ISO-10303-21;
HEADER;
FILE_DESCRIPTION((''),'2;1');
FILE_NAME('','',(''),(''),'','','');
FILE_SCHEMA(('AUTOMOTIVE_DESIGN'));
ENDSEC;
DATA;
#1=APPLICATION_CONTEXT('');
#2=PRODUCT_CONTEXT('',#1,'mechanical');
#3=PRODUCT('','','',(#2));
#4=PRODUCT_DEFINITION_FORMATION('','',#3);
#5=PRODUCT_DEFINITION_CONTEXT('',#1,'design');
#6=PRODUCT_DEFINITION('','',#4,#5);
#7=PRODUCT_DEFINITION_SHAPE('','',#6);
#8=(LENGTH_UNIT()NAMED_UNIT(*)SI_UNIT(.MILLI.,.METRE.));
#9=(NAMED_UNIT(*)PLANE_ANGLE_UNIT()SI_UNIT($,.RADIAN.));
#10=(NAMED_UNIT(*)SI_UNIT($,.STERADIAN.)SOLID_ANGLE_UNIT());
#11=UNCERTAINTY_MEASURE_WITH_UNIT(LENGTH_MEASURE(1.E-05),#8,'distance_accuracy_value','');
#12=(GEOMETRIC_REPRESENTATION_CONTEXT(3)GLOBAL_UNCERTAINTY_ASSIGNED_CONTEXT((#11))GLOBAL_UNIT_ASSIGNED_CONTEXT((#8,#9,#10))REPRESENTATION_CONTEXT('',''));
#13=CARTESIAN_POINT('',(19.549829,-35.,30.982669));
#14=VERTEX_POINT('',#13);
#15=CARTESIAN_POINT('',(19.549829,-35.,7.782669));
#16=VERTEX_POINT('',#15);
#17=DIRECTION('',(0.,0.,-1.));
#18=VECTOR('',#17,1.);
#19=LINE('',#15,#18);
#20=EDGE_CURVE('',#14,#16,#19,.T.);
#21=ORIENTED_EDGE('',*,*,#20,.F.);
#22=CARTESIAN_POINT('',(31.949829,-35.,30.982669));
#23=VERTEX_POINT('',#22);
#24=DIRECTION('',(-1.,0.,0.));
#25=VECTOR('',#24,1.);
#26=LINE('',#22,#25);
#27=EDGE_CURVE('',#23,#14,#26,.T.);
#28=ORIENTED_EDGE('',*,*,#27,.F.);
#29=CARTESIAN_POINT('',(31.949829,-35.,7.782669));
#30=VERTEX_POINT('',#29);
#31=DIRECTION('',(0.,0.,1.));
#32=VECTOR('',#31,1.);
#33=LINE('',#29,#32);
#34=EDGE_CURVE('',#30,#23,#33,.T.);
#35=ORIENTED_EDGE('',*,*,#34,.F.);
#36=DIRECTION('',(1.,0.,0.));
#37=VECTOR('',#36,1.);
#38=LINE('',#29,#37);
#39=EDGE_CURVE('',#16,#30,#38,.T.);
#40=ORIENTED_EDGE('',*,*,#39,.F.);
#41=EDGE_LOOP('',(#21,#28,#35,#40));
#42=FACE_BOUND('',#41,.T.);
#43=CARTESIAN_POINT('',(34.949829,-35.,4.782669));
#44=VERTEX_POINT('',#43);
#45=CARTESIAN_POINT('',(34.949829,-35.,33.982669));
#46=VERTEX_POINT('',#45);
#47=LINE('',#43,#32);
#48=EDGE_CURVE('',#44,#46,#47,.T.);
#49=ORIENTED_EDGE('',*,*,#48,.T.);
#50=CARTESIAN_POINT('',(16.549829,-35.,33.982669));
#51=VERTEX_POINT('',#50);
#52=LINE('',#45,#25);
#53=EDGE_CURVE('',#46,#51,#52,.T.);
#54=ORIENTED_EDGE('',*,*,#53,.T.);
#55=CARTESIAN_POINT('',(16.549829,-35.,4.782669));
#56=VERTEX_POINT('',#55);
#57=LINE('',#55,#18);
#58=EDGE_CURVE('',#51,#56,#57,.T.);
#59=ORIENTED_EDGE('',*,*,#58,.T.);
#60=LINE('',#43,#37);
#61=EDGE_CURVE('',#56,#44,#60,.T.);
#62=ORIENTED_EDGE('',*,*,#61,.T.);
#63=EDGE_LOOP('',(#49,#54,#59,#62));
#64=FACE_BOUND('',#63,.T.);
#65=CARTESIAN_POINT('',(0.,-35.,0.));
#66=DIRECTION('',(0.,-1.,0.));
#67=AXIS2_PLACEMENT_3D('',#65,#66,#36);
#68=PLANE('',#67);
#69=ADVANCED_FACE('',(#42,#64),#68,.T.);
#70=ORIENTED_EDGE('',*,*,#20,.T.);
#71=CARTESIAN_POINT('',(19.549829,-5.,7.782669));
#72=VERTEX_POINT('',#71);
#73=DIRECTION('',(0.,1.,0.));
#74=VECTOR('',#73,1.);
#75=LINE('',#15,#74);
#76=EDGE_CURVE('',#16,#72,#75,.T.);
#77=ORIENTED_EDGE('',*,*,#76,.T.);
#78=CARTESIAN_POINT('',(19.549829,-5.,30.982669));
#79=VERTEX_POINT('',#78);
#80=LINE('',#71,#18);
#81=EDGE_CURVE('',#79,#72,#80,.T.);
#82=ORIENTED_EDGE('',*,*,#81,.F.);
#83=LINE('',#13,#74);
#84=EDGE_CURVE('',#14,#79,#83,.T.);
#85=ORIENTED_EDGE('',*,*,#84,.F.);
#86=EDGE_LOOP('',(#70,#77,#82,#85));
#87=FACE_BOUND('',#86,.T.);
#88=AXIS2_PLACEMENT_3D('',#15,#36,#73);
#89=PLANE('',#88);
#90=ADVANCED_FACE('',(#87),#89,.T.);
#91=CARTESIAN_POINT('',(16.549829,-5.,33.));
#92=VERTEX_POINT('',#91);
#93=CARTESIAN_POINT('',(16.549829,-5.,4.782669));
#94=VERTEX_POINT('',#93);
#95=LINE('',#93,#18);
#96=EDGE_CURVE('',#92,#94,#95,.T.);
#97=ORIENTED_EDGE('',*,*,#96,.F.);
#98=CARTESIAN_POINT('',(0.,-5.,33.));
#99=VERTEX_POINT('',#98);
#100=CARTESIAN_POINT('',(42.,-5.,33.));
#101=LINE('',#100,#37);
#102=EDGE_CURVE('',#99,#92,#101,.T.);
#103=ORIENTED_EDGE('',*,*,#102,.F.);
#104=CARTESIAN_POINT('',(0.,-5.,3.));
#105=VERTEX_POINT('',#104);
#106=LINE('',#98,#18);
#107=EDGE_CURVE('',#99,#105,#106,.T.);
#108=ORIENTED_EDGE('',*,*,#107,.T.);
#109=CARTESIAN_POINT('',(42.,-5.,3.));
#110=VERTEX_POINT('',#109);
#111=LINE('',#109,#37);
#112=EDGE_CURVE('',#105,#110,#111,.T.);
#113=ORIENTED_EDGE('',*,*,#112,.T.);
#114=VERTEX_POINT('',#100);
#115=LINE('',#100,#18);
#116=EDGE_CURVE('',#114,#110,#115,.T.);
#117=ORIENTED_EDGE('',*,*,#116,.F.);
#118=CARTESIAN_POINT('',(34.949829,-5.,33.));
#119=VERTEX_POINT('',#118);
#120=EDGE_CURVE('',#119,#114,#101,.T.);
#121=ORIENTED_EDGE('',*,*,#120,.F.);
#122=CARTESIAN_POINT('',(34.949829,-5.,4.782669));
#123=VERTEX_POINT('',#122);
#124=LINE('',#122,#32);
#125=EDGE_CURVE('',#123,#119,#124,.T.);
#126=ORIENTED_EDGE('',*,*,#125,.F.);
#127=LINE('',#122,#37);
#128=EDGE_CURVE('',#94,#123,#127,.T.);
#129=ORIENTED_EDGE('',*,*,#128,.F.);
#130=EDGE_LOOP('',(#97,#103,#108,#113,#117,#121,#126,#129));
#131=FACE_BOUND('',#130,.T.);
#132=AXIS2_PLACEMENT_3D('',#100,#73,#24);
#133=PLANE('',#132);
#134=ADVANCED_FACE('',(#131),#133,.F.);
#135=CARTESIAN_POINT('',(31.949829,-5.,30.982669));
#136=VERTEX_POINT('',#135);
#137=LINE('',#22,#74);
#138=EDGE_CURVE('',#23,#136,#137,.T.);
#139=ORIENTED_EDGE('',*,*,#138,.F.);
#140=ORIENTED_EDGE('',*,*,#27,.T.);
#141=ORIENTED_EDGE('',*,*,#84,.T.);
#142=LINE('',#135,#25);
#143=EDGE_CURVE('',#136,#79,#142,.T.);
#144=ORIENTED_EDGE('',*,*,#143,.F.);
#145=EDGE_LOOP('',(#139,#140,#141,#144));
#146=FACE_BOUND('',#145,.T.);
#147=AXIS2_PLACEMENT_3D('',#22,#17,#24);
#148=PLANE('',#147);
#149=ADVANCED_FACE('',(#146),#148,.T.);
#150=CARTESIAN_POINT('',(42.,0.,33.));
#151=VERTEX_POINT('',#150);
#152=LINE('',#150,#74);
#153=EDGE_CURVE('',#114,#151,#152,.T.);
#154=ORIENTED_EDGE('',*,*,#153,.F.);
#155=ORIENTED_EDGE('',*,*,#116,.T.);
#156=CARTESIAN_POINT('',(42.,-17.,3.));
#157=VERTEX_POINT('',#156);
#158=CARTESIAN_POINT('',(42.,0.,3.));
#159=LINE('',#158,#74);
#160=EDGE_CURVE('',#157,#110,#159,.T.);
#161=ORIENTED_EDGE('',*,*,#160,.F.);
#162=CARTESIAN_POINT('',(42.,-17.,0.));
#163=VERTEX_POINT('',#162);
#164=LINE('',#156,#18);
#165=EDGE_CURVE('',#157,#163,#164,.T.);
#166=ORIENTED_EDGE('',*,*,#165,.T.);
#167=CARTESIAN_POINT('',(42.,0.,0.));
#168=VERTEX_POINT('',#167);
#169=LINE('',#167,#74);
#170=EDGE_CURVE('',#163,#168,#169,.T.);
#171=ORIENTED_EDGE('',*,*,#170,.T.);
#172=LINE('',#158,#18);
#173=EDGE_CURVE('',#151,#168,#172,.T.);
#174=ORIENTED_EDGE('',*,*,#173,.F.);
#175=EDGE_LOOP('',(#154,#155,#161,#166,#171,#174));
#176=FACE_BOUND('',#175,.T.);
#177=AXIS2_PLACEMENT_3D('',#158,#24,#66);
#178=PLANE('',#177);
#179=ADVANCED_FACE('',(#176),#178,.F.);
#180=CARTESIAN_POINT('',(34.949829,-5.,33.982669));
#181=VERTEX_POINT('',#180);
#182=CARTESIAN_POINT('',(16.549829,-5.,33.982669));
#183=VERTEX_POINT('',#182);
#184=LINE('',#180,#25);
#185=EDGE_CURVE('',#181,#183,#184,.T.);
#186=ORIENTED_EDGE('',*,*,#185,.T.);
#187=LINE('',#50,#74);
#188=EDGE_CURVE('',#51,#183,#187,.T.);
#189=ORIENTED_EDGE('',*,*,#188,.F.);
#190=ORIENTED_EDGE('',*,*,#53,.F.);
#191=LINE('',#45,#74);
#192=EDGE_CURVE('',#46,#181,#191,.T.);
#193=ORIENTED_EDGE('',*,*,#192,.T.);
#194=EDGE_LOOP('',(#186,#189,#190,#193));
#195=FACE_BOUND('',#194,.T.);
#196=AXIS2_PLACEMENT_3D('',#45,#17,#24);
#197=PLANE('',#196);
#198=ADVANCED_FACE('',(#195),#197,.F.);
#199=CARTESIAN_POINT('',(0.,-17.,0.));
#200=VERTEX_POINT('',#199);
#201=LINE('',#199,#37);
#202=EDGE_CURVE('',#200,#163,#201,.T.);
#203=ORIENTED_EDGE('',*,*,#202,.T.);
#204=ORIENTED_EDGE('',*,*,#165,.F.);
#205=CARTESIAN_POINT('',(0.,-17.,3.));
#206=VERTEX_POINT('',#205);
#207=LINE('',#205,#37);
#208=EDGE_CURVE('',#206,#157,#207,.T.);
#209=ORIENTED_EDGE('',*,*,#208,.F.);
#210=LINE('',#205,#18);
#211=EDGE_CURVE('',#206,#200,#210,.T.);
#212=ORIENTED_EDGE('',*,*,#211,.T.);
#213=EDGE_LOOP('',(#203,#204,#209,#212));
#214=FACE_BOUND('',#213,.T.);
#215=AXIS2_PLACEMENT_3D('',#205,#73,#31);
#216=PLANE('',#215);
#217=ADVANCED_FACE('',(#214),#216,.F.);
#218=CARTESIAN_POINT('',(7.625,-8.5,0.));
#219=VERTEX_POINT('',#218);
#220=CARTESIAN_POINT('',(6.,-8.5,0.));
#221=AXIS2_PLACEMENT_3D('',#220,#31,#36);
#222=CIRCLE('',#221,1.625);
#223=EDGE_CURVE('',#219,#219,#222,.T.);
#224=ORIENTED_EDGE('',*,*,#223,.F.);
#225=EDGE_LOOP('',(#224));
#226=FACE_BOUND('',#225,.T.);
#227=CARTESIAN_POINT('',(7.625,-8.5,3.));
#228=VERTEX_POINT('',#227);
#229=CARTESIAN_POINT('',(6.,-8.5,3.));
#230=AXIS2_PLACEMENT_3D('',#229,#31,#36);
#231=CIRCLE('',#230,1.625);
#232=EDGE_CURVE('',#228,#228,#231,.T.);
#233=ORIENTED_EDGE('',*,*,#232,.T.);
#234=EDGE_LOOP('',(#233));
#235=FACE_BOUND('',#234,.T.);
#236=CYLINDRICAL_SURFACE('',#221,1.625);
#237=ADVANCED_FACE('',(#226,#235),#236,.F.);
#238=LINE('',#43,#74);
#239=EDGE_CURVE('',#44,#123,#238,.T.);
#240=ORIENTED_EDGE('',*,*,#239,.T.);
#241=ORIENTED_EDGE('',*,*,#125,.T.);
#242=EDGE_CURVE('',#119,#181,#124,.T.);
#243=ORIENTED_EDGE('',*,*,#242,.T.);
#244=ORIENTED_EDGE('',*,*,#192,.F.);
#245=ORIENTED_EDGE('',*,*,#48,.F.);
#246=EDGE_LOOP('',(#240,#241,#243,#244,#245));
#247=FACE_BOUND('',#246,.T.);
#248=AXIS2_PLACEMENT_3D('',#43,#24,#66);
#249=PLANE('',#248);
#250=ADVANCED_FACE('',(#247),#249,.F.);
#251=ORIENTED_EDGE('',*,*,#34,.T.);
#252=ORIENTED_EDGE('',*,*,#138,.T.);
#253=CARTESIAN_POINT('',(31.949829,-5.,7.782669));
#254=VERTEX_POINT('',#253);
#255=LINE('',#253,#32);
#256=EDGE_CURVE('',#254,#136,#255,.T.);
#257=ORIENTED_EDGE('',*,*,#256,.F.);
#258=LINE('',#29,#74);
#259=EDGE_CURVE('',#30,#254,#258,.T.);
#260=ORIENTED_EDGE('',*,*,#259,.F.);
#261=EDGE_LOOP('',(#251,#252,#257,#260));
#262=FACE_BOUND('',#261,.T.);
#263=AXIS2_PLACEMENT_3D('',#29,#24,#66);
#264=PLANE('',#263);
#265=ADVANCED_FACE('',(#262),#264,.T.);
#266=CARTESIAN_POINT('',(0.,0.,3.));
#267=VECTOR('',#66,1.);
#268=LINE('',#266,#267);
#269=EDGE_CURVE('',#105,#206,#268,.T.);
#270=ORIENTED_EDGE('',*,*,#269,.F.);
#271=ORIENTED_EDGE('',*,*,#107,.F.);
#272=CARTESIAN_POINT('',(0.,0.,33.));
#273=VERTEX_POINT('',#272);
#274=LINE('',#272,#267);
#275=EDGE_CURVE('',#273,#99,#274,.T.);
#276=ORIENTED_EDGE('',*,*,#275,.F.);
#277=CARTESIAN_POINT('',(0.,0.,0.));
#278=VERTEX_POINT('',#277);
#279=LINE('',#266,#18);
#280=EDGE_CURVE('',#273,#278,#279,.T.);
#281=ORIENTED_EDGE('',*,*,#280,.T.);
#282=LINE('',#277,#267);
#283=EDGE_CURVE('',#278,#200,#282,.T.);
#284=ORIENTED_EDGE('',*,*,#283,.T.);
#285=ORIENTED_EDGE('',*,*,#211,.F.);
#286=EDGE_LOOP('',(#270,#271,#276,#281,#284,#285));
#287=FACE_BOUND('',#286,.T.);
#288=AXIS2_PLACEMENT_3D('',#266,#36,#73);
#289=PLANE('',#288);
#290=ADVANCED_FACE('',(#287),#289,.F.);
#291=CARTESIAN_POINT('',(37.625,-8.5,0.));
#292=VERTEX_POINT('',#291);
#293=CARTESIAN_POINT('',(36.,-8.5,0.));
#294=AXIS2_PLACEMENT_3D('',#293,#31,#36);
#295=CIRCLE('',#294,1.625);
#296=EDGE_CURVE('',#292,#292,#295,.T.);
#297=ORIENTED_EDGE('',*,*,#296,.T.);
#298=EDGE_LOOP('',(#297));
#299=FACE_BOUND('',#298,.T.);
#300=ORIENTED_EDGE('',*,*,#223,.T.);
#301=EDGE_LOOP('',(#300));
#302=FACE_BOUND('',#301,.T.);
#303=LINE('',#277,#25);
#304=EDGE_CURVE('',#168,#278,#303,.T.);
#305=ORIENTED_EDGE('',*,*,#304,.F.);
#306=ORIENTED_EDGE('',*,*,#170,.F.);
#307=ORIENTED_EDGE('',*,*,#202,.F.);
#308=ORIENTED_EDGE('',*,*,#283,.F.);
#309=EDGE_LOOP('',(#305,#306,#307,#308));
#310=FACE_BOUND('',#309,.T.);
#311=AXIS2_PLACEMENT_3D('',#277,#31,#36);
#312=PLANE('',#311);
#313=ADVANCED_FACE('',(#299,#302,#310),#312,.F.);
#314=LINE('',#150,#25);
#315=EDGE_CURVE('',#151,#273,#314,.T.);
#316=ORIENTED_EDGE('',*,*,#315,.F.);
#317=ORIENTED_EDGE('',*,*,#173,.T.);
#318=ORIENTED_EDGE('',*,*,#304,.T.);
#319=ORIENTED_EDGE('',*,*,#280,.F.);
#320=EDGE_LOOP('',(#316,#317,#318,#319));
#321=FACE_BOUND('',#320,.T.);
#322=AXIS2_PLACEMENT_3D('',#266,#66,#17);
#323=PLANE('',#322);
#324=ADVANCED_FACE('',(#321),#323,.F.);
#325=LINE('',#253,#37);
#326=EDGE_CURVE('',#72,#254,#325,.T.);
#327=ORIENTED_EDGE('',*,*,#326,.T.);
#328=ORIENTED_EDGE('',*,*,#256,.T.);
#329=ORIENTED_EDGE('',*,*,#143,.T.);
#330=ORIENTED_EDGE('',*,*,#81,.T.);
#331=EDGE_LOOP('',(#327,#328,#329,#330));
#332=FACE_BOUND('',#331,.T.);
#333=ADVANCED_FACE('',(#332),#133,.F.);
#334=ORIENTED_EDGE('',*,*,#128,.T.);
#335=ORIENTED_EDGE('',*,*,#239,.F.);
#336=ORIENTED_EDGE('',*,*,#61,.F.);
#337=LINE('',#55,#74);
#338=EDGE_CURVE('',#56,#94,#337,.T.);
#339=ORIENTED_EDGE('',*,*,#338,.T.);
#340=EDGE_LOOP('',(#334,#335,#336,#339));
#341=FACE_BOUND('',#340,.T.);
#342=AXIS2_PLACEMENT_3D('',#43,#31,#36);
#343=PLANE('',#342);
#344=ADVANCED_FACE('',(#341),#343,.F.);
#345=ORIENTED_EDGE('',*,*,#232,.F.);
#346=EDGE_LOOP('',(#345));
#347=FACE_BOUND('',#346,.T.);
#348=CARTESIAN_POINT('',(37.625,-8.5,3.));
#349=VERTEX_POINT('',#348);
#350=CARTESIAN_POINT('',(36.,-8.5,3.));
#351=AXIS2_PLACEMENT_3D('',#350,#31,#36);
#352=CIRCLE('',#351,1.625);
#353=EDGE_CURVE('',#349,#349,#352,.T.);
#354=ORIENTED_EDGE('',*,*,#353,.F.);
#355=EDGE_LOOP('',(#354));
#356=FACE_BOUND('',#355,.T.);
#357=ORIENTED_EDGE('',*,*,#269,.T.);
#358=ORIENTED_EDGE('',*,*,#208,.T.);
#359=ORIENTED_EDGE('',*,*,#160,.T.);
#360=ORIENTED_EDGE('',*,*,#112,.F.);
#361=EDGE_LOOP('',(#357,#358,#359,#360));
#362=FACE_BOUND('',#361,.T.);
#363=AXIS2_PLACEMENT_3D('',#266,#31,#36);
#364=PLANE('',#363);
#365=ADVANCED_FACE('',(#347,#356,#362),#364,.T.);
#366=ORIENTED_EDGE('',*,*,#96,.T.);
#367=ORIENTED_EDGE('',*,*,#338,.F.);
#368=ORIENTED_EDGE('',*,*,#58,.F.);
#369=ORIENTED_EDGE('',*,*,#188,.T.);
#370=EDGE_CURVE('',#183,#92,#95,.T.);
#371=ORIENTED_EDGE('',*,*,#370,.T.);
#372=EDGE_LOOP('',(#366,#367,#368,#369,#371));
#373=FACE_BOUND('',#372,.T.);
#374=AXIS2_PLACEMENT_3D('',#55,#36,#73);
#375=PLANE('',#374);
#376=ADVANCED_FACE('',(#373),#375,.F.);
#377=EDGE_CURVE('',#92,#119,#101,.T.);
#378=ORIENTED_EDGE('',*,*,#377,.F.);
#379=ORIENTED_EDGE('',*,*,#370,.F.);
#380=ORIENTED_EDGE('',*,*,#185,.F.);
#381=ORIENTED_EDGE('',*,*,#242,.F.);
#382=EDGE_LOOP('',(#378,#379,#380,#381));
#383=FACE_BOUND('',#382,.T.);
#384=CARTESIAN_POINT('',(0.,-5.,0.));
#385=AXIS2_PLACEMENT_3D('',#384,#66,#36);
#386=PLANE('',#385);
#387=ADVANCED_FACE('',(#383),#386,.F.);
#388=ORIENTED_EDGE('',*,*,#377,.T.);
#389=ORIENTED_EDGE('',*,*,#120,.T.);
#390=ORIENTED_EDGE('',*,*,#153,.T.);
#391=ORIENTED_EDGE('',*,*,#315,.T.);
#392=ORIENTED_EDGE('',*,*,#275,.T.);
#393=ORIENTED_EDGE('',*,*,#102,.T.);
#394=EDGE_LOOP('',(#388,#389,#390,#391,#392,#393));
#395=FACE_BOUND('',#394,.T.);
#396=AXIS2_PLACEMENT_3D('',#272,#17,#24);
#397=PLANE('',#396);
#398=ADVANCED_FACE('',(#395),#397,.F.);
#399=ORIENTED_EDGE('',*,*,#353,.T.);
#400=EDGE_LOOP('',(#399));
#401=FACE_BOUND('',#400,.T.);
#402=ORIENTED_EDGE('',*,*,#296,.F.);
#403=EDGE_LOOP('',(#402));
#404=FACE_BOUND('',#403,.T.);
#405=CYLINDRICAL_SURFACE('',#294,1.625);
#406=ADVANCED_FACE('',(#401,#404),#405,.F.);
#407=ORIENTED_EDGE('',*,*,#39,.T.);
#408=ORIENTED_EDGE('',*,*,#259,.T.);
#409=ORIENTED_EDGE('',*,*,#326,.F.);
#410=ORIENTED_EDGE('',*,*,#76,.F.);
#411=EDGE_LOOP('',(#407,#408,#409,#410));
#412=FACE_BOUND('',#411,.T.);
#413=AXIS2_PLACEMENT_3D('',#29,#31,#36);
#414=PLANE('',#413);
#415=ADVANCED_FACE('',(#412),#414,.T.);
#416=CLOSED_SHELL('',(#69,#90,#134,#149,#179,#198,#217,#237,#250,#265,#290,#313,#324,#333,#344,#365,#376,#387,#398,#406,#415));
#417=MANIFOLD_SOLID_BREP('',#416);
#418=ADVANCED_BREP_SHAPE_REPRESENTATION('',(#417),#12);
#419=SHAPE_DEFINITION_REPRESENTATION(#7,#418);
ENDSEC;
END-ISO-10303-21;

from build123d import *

# Parameters (mm, degrees)
ESQUISSE1_W             = 42
ESQUISSE1_H             = 17
BOSS_EXTRU_1_DEPTH      = 3
ESQUISSE2_R             = 1.625
ENL_V_MAT_EXTRU_1_DEPTH = 4
ESQUISSE3_W             = 42
ESQUISSE3_H             = 5
BOSS_EXTRU_2_DEPTH      = 30
ESQUISSE4_W             = 18.4
ESQUISSE4_H             = 29.2
ESQUISSE4_W_2           = 12.4
ESQUISSE4_H_2           = 23.2
BOSS_EXTRU_3_DEPTH      = 30


with BuildPart() as part:
    # Esquisse1 → Boss.-Extru.1 (new body)
    with BuildSketch(Plane.XY):
        with Locations((21, -8.5)):
            Rectangle(ESQUISSE1_W, ESQUISSE1_H)
    extrude(amount=BOSS_EXTRU_1_DEPTH)

    # Esquisse2 → Enlèv. mat.-Extru.1 (cut, through all)
    with BuildSketch(Plane.XY.offset(3)):
        with Locations((6, -8.5)):
            Circle(ESQUISSE2_R)
        with Locations((36, -8.5)):
            Circle(ESQUISSE2_R)
    extrude(amount=-ENL_V_MAT_EXTRU_1_DEPTH, mode=Mode.SUBTRACT)

    # Esquisse3 → Boss.-Extru.2 (add)
    with BuildSketch(Plane.XY.offset(3)):
        with Locations((21, -2.5)):
            Rectangle(ESQUISSE3_W, ESQUISSE3_H)
    extrude(amount=BOSS_EXTRU_2_DEPTH)

    # Esquisse4 → Boss.-Extru.3 (add)
    with BuildSketch(Plane.XZ.offset(5)):
        with Locations((25.749828538, 19.382668745)):
            Rectangle(ESQUISSE4_W, ESQUISSE4_H)
        with Locations((25.749828538, 19.382668745)):
            Rectangle(ESQUISSE4_W_2, ESQUISSE4_H_2, mode=Mode.SUBTRACT)
    extrude(amount=BOSS_EXTRU_3_DEPTH)


solid = part.part
